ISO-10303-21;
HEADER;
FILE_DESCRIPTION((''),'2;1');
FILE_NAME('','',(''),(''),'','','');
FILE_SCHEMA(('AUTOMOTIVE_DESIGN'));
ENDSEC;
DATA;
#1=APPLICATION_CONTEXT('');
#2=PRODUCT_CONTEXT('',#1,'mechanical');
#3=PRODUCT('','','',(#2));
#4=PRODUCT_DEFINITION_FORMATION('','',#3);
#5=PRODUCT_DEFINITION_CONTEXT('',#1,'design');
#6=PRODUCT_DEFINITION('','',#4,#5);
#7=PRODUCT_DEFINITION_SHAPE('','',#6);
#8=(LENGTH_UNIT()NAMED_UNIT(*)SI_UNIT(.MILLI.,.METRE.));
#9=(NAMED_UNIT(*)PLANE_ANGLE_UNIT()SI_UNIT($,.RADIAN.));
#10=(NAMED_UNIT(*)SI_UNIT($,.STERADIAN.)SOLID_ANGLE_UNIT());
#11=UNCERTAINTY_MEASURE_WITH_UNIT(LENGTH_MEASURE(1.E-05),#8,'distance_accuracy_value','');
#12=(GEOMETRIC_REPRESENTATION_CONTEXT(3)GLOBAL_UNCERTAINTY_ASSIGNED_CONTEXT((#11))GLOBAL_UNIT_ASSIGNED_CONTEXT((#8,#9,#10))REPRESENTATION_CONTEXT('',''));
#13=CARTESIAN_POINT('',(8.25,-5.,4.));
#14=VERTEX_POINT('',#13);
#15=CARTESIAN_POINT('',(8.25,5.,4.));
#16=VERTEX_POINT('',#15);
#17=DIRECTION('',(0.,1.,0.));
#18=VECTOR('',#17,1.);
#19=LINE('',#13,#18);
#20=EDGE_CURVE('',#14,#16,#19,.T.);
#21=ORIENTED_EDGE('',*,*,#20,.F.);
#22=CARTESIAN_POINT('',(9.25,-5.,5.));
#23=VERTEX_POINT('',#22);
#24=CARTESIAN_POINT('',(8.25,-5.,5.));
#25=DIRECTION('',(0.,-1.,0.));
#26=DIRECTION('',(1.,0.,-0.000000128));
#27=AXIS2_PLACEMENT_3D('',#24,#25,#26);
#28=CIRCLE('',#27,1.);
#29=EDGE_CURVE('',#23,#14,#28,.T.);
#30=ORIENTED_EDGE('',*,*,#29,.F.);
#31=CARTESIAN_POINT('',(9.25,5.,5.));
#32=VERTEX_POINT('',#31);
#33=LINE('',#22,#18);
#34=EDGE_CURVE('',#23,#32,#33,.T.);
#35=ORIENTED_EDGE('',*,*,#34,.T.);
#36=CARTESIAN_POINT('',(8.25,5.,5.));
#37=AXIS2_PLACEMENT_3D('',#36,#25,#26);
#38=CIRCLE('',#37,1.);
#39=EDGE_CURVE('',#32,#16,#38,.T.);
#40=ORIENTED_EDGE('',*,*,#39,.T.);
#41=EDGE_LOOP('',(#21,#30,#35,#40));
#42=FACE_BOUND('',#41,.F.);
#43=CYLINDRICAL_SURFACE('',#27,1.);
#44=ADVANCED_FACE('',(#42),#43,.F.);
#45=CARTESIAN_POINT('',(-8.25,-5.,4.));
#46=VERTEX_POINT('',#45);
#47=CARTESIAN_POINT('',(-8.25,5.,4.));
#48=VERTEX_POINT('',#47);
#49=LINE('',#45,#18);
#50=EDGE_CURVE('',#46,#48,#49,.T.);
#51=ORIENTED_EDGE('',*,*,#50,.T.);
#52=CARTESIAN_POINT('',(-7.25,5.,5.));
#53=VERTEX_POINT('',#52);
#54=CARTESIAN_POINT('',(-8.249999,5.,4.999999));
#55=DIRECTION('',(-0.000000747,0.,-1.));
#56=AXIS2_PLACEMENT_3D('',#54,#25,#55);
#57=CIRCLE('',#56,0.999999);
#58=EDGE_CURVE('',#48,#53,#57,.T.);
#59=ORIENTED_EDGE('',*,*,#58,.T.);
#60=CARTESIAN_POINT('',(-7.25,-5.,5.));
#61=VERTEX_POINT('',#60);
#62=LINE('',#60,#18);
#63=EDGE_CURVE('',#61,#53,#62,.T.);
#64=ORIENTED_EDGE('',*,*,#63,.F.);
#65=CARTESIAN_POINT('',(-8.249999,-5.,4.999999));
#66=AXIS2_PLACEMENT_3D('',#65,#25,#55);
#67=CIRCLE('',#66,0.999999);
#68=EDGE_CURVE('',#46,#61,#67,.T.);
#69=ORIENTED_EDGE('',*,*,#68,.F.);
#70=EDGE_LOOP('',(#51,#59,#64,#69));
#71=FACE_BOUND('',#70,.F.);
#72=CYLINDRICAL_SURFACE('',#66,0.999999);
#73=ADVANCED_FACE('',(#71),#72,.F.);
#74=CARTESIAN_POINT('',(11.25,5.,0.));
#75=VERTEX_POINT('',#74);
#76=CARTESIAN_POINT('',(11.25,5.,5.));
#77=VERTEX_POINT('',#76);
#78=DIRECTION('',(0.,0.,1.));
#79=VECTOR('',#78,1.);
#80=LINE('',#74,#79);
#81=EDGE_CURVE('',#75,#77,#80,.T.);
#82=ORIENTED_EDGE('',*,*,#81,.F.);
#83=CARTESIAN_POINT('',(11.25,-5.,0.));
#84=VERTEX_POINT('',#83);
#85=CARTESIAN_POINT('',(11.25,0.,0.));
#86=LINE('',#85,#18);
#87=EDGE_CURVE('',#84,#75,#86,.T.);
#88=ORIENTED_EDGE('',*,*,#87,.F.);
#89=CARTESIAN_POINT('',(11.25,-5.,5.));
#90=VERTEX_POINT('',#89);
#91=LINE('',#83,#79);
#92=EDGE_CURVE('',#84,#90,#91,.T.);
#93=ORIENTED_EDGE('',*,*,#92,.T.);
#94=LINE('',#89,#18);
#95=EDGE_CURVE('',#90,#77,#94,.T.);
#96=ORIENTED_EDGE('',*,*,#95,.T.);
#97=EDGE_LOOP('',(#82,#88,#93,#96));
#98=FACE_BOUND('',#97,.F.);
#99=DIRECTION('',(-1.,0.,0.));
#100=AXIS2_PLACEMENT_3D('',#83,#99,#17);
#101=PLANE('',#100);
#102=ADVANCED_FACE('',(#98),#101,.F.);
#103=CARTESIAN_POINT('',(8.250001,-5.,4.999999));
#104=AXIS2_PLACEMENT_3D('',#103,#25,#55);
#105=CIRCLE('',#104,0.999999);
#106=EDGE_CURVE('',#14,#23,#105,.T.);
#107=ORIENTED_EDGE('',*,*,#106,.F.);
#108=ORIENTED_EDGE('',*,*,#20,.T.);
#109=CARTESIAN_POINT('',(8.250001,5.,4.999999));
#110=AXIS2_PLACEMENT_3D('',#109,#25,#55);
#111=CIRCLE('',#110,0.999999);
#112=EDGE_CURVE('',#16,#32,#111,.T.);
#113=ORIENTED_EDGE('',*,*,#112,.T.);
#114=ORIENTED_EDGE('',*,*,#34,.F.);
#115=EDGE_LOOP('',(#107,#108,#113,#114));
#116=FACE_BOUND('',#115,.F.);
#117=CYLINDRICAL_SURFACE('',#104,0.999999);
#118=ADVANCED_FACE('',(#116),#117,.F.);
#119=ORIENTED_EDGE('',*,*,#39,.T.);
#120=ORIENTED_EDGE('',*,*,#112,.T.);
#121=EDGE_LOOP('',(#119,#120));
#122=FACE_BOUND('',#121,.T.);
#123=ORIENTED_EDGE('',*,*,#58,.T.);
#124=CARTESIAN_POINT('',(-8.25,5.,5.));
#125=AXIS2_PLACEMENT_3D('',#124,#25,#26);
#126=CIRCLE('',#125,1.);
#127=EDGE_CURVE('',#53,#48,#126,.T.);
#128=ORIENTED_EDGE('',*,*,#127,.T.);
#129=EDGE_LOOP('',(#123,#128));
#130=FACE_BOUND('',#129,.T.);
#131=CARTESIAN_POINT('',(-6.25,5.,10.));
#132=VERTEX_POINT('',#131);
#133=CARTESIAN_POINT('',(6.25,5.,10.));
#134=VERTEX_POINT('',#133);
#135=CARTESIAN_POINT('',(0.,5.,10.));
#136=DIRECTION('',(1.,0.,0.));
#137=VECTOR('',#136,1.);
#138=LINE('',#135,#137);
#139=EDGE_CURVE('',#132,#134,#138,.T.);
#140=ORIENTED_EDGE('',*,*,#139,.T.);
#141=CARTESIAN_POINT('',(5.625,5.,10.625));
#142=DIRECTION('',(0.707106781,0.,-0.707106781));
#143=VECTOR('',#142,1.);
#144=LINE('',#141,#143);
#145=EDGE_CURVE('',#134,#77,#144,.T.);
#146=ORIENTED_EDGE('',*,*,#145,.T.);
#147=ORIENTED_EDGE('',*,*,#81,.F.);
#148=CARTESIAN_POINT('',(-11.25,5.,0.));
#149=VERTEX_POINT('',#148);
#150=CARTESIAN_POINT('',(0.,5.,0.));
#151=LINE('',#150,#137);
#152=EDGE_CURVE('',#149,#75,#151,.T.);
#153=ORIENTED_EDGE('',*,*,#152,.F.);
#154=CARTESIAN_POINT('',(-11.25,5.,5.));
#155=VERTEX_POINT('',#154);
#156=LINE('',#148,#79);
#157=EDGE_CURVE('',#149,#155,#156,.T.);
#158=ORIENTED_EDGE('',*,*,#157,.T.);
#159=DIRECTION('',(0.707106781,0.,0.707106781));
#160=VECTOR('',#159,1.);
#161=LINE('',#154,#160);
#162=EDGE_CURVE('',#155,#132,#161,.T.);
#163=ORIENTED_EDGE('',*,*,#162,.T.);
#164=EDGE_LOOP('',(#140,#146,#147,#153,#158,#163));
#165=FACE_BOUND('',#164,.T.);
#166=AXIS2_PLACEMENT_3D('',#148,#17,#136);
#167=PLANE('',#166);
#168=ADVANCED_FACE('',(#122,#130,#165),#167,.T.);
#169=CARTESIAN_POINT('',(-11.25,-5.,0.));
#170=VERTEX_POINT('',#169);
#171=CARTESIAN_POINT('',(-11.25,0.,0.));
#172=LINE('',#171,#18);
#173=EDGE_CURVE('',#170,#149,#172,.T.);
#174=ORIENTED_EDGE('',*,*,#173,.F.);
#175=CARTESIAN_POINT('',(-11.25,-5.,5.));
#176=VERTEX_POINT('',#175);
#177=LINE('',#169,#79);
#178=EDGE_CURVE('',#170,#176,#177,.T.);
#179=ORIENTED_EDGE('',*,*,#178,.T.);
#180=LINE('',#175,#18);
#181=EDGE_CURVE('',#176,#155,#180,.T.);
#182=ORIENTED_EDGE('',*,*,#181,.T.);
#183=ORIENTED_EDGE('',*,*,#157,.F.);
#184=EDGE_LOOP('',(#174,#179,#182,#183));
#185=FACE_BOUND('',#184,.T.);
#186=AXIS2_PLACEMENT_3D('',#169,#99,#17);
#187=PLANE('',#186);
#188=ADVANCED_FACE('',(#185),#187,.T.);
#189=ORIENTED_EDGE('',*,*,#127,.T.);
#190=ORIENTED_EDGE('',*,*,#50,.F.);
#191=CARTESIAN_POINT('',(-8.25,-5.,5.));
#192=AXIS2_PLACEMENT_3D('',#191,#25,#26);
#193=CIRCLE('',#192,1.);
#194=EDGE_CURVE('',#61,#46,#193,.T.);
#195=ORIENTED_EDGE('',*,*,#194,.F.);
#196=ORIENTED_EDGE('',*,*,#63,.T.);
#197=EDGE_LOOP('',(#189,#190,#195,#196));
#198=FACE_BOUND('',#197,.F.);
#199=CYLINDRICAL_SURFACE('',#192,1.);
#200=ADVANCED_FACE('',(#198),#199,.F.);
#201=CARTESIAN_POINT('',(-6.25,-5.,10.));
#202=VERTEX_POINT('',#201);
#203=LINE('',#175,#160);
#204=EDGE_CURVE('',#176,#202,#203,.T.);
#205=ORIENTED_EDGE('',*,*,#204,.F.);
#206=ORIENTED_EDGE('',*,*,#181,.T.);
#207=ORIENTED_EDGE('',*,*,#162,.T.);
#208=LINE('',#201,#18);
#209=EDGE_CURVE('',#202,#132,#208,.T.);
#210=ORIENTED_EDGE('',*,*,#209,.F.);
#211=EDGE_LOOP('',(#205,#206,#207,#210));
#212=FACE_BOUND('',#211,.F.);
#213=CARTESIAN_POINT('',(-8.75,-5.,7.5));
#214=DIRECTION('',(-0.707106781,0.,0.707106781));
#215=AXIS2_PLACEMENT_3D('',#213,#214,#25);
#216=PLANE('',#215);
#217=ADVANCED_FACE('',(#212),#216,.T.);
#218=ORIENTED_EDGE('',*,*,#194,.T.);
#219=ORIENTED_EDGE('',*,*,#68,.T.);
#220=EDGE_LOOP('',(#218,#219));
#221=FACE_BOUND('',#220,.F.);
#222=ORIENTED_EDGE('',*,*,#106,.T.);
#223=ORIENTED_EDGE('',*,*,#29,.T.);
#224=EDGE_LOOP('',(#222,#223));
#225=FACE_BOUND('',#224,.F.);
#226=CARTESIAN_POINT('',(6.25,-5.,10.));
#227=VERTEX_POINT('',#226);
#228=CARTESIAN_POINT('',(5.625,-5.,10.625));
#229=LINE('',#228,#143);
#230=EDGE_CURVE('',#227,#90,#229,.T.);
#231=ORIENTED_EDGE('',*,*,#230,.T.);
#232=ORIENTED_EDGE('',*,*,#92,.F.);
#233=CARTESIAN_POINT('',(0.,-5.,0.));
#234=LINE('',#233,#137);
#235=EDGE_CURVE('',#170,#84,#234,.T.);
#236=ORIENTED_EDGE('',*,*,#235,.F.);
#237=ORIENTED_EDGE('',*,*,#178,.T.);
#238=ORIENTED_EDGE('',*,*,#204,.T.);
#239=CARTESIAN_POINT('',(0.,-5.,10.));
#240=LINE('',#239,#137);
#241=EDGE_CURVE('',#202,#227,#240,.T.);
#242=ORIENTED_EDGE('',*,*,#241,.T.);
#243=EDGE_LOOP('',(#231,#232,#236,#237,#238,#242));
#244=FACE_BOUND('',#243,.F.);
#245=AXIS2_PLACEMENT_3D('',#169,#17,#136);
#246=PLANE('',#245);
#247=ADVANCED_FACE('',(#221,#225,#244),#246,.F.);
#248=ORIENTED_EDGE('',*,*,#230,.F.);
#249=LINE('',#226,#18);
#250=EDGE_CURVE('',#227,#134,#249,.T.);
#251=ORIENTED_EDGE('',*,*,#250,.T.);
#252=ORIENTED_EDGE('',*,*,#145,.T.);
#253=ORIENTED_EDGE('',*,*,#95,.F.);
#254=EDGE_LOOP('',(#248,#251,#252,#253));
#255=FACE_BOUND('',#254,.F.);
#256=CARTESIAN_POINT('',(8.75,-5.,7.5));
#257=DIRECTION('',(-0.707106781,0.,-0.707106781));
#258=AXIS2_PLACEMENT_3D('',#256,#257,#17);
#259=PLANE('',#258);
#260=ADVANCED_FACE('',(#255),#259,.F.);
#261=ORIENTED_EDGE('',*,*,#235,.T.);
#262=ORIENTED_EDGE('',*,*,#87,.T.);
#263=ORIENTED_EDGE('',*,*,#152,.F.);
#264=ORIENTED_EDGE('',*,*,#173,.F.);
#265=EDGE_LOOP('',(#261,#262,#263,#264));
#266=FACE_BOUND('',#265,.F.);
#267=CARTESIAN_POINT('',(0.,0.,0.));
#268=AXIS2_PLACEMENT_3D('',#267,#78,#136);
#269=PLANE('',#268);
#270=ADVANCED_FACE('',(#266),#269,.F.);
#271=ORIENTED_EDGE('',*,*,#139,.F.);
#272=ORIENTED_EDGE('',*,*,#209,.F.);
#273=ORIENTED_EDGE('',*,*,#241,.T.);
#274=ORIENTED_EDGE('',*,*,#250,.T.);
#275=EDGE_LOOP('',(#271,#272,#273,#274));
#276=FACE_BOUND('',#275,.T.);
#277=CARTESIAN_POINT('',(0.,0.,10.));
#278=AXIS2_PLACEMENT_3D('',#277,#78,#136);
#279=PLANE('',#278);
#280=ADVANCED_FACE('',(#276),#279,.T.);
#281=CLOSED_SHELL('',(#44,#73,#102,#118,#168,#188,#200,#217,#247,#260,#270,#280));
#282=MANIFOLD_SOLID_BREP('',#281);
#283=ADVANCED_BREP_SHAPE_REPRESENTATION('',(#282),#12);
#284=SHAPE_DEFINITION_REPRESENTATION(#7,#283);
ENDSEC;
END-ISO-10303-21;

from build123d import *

# Parameters (mm, degrees)
F0_W     = 22.5
F0_H     = 10
F1_DEPTH = 10
F3_DEPTH = 25
F4_SIZE  = 5


with BuildPart() as f1:
    # F0 (on Top) → F1 (new body)
    with BuildSketch(Plane.XY):
        Rectangle(F0_W, F0_H)
    extrude(amount=F1_DEPTH)

    # F2 (on face) → F3 (cut)
    with BuildSketch(Plane.XZ.offset(5)):
        with BuildLine():
            ThreePointArc((-7.25, 5), (-8.957107, 5.707107), (-8.25, 4))
            ThreePointArc((-8.25, 4), (-7.542893, 4.292893), (-7.25, 5))
        make_face()
        with BuildLine():
            ThreePointArc((9.25, 5), (7.542893, 5.707107), (8.25, 4))
            ThreePointArc((8.25, 4), (8.957107, 4.292893), (9.25, 5))
        make_face()
    extrude(amount=-F3_DEPTH, mode=Mode.SUBTRACT)

    # F4
    f4_edges = [f1.edges().sort_by_distance(p)[0] for p in [
        (-11.25, 0, 10),
        (11.25, 0, 10),
    ]]
    chamfer(f4_edges, length=F4_SIZE)


solid = f1.part
